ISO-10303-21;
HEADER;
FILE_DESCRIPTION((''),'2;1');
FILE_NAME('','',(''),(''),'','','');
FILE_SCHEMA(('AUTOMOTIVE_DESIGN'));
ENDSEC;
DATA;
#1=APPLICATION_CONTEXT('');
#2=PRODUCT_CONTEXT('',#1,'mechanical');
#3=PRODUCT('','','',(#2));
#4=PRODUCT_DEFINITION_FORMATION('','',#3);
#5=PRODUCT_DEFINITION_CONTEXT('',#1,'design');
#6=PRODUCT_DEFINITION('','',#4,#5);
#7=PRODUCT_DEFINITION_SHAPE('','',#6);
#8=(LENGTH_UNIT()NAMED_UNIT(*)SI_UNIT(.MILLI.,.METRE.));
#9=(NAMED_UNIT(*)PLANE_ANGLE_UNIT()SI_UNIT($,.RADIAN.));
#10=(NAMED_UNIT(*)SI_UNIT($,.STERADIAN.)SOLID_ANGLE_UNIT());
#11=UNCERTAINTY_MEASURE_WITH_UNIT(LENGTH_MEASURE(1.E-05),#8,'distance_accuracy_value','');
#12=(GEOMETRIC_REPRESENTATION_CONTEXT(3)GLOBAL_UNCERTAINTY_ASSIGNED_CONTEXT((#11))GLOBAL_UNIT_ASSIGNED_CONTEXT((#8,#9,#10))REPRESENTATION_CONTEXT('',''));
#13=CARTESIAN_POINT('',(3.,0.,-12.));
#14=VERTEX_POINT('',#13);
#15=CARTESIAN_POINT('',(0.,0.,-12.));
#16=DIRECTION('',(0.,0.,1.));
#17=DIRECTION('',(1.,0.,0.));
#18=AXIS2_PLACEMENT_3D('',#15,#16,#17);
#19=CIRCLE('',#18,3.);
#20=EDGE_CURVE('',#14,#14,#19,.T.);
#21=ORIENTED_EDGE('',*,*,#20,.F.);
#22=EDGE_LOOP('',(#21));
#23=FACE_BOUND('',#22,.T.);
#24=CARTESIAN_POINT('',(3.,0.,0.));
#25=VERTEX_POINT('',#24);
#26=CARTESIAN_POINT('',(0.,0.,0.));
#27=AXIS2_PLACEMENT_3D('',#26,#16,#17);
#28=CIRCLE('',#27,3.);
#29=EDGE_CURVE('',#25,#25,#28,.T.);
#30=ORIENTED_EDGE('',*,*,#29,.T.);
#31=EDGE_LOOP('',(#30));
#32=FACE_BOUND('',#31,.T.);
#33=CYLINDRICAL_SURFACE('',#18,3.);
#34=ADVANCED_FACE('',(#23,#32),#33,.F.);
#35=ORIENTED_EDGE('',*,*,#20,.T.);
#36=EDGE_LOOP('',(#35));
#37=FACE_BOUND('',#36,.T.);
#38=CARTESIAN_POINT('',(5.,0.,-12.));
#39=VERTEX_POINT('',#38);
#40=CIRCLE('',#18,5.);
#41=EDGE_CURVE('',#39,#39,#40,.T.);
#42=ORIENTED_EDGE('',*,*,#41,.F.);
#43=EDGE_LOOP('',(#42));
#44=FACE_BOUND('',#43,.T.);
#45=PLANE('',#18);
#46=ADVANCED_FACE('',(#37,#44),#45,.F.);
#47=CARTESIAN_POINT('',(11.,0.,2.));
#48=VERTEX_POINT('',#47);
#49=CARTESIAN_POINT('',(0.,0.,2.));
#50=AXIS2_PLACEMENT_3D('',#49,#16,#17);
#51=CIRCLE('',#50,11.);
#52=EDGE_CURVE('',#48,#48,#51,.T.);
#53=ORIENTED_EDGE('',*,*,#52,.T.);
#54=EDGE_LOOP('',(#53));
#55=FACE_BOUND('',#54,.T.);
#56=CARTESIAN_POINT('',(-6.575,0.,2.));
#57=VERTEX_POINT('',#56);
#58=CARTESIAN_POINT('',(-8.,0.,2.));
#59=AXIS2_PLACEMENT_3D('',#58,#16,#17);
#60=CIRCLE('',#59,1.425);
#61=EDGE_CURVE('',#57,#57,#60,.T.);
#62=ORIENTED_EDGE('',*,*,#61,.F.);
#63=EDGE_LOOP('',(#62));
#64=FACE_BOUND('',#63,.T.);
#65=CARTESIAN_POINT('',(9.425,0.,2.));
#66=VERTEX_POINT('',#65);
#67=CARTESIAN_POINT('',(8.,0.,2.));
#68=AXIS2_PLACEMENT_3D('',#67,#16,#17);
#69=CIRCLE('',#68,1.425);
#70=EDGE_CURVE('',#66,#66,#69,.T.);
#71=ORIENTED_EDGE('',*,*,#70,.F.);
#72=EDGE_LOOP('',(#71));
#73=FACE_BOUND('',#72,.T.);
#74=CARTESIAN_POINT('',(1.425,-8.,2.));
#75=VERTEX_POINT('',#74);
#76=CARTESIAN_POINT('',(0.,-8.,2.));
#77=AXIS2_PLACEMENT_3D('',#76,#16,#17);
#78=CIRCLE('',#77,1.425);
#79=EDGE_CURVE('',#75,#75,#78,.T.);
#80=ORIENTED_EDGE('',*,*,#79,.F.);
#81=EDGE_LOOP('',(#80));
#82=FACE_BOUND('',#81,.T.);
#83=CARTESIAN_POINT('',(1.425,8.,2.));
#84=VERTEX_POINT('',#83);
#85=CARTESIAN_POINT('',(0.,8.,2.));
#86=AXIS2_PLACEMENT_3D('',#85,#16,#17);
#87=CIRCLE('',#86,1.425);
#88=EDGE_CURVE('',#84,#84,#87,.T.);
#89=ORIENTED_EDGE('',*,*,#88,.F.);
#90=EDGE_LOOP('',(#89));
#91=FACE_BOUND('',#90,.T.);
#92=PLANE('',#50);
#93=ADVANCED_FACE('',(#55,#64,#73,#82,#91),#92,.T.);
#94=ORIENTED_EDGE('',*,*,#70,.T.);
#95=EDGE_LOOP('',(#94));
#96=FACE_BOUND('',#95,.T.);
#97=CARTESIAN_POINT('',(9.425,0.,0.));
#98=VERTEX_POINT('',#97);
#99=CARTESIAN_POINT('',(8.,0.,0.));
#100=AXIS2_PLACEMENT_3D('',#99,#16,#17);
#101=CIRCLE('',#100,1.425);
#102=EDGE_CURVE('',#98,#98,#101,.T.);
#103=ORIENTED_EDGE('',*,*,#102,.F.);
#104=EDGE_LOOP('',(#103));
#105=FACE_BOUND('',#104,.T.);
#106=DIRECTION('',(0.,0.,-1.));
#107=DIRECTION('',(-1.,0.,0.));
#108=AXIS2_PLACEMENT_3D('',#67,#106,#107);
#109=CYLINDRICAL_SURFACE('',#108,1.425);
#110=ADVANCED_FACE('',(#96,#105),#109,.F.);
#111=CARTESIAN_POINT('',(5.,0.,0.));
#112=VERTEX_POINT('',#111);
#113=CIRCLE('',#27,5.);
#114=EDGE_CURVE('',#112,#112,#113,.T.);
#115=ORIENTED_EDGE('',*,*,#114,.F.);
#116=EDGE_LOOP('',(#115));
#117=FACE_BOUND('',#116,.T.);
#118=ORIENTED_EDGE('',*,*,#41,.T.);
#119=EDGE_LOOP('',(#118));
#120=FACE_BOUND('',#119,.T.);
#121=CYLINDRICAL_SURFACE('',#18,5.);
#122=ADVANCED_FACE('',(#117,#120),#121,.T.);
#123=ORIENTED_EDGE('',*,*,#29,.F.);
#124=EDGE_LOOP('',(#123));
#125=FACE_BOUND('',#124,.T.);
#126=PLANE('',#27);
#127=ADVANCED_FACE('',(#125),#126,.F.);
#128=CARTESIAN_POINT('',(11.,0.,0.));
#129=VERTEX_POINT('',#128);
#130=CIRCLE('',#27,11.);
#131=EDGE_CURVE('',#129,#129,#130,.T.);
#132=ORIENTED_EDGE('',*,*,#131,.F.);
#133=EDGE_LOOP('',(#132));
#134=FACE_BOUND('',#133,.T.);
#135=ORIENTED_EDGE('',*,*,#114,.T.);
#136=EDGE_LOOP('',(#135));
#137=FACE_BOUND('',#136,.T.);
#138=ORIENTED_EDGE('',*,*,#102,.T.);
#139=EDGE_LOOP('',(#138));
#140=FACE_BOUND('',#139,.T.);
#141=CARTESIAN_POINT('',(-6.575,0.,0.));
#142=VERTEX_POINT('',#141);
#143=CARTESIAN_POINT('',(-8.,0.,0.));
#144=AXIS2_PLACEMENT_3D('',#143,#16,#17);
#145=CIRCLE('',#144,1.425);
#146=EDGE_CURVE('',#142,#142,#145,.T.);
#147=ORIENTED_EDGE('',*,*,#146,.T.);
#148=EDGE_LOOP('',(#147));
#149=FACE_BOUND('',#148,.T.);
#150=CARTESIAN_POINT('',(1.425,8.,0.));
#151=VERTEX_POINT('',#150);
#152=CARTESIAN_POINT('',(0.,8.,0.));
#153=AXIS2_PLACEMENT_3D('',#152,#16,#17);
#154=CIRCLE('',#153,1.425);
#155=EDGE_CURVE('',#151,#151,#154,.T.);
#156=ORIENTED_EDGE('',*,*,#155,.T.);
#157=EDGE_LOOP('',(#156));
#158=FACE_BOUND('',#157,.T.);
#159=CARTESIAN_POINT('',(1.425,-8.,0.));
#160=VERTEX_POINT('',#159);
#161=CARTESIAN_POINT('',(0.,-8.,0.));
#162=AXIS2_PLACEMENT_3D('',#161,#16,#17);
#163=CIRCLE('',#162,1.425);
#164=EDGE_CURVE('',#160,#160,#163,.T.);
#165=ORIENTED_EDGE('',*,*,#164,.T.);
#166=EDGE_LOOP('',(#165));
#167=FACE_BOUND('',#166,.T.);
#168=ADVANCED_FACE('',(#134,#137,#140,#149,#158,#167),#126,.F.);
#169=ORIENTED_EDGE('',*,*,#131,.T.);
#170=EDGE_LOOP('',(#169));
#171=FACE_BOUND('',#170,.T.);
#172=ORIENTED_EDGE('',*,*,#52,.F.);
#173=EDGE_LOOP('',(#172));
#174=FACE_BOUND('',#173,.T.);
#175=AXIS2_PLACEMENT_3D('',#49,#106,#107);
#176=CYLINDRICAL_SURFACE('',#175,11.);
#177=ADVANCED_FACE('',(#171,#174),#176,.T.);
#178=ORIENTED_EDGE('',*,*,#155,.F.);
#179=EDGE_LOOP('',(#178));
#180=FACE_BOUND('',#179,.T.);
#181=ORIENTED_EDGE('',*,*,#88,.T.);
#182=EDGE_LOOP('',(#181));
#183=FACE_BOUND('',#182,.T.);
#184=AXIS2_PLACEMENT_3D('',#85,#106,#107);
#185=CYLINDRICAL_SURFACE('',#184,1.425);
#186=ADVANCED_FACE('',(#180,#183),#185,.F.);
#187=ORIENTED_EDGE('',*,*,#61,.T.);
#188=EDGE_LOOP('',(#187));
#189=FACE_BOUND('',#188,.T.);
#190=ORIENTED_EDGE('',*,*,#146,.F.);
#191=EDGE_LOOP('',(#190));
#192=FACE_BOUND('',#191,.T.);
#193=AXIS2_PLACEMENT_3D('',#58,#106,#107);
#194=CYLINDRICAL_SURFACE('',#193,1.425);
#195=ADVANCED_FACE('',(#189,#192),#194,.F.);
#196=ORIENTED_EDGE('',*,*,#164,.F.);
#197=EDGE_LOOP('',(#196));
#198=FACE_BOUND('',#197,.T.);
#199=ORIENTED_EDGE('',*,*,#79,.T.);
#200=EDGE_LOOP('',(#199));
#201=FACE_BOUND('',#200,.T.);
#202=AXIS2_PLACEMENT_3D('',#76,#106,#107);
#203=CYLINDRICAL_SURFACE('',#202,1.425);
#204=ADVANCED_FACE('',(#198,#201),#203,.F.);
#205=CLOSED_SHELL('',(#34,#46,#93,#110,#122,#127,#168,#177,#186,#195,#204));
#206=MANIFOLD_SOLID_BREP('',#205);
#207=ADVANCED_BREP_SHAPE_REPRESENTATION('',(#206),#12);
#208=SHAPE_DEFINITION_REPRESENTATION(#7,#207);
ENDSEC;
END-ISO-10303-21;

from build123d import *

# Parameters (mm, degrees)
SKETCH1_R           = 11
SKETCH1_R_2         = 1.425
BOSS_EXTRUDE1_DEPTH = 2
SKETCH1_4_R         = 5
SKETCH1_4_R_2       = 3
BOSS_EXTRUDE2_DEPTH = 12


with BuildPart() as part:
    # Sketch1 → Boss-Extrude1 (new body)
    with BuildSketch(Plane.XY):
        Circle(SKETCH1_R)
        with Locations((0, 8)):
            Circle(SKETCH1_R_2, mode=Mode.SUBTRACT)
        with Locations((8, 0)):
            Circle(SKETCH1_R_2, mode=Mode.SUBTRACT)
        with Locations((0, -8)):
            Circle(SKETCH1_R_2, mode=Mode.SUBTRACT)
        with Locations((-8, 0)):
            Circle(SKETCH1_R_2, mode=Mode.SUBTRACT)
    extrude(amount=BOSS_EXTRUDE1_DEPTH)

    # Sketch1<4> → Boss-Extrude2 (add)
    with BuildSketch(Plane.XY):
        Circle(SKETCH1_4_R)
        Circle(SKETCH1_4_R_2, mode=Mode.SUBTRACT)
    extrude(amount=-BOSS_EXTRUDE2_DEPTH)


solid = part.part
